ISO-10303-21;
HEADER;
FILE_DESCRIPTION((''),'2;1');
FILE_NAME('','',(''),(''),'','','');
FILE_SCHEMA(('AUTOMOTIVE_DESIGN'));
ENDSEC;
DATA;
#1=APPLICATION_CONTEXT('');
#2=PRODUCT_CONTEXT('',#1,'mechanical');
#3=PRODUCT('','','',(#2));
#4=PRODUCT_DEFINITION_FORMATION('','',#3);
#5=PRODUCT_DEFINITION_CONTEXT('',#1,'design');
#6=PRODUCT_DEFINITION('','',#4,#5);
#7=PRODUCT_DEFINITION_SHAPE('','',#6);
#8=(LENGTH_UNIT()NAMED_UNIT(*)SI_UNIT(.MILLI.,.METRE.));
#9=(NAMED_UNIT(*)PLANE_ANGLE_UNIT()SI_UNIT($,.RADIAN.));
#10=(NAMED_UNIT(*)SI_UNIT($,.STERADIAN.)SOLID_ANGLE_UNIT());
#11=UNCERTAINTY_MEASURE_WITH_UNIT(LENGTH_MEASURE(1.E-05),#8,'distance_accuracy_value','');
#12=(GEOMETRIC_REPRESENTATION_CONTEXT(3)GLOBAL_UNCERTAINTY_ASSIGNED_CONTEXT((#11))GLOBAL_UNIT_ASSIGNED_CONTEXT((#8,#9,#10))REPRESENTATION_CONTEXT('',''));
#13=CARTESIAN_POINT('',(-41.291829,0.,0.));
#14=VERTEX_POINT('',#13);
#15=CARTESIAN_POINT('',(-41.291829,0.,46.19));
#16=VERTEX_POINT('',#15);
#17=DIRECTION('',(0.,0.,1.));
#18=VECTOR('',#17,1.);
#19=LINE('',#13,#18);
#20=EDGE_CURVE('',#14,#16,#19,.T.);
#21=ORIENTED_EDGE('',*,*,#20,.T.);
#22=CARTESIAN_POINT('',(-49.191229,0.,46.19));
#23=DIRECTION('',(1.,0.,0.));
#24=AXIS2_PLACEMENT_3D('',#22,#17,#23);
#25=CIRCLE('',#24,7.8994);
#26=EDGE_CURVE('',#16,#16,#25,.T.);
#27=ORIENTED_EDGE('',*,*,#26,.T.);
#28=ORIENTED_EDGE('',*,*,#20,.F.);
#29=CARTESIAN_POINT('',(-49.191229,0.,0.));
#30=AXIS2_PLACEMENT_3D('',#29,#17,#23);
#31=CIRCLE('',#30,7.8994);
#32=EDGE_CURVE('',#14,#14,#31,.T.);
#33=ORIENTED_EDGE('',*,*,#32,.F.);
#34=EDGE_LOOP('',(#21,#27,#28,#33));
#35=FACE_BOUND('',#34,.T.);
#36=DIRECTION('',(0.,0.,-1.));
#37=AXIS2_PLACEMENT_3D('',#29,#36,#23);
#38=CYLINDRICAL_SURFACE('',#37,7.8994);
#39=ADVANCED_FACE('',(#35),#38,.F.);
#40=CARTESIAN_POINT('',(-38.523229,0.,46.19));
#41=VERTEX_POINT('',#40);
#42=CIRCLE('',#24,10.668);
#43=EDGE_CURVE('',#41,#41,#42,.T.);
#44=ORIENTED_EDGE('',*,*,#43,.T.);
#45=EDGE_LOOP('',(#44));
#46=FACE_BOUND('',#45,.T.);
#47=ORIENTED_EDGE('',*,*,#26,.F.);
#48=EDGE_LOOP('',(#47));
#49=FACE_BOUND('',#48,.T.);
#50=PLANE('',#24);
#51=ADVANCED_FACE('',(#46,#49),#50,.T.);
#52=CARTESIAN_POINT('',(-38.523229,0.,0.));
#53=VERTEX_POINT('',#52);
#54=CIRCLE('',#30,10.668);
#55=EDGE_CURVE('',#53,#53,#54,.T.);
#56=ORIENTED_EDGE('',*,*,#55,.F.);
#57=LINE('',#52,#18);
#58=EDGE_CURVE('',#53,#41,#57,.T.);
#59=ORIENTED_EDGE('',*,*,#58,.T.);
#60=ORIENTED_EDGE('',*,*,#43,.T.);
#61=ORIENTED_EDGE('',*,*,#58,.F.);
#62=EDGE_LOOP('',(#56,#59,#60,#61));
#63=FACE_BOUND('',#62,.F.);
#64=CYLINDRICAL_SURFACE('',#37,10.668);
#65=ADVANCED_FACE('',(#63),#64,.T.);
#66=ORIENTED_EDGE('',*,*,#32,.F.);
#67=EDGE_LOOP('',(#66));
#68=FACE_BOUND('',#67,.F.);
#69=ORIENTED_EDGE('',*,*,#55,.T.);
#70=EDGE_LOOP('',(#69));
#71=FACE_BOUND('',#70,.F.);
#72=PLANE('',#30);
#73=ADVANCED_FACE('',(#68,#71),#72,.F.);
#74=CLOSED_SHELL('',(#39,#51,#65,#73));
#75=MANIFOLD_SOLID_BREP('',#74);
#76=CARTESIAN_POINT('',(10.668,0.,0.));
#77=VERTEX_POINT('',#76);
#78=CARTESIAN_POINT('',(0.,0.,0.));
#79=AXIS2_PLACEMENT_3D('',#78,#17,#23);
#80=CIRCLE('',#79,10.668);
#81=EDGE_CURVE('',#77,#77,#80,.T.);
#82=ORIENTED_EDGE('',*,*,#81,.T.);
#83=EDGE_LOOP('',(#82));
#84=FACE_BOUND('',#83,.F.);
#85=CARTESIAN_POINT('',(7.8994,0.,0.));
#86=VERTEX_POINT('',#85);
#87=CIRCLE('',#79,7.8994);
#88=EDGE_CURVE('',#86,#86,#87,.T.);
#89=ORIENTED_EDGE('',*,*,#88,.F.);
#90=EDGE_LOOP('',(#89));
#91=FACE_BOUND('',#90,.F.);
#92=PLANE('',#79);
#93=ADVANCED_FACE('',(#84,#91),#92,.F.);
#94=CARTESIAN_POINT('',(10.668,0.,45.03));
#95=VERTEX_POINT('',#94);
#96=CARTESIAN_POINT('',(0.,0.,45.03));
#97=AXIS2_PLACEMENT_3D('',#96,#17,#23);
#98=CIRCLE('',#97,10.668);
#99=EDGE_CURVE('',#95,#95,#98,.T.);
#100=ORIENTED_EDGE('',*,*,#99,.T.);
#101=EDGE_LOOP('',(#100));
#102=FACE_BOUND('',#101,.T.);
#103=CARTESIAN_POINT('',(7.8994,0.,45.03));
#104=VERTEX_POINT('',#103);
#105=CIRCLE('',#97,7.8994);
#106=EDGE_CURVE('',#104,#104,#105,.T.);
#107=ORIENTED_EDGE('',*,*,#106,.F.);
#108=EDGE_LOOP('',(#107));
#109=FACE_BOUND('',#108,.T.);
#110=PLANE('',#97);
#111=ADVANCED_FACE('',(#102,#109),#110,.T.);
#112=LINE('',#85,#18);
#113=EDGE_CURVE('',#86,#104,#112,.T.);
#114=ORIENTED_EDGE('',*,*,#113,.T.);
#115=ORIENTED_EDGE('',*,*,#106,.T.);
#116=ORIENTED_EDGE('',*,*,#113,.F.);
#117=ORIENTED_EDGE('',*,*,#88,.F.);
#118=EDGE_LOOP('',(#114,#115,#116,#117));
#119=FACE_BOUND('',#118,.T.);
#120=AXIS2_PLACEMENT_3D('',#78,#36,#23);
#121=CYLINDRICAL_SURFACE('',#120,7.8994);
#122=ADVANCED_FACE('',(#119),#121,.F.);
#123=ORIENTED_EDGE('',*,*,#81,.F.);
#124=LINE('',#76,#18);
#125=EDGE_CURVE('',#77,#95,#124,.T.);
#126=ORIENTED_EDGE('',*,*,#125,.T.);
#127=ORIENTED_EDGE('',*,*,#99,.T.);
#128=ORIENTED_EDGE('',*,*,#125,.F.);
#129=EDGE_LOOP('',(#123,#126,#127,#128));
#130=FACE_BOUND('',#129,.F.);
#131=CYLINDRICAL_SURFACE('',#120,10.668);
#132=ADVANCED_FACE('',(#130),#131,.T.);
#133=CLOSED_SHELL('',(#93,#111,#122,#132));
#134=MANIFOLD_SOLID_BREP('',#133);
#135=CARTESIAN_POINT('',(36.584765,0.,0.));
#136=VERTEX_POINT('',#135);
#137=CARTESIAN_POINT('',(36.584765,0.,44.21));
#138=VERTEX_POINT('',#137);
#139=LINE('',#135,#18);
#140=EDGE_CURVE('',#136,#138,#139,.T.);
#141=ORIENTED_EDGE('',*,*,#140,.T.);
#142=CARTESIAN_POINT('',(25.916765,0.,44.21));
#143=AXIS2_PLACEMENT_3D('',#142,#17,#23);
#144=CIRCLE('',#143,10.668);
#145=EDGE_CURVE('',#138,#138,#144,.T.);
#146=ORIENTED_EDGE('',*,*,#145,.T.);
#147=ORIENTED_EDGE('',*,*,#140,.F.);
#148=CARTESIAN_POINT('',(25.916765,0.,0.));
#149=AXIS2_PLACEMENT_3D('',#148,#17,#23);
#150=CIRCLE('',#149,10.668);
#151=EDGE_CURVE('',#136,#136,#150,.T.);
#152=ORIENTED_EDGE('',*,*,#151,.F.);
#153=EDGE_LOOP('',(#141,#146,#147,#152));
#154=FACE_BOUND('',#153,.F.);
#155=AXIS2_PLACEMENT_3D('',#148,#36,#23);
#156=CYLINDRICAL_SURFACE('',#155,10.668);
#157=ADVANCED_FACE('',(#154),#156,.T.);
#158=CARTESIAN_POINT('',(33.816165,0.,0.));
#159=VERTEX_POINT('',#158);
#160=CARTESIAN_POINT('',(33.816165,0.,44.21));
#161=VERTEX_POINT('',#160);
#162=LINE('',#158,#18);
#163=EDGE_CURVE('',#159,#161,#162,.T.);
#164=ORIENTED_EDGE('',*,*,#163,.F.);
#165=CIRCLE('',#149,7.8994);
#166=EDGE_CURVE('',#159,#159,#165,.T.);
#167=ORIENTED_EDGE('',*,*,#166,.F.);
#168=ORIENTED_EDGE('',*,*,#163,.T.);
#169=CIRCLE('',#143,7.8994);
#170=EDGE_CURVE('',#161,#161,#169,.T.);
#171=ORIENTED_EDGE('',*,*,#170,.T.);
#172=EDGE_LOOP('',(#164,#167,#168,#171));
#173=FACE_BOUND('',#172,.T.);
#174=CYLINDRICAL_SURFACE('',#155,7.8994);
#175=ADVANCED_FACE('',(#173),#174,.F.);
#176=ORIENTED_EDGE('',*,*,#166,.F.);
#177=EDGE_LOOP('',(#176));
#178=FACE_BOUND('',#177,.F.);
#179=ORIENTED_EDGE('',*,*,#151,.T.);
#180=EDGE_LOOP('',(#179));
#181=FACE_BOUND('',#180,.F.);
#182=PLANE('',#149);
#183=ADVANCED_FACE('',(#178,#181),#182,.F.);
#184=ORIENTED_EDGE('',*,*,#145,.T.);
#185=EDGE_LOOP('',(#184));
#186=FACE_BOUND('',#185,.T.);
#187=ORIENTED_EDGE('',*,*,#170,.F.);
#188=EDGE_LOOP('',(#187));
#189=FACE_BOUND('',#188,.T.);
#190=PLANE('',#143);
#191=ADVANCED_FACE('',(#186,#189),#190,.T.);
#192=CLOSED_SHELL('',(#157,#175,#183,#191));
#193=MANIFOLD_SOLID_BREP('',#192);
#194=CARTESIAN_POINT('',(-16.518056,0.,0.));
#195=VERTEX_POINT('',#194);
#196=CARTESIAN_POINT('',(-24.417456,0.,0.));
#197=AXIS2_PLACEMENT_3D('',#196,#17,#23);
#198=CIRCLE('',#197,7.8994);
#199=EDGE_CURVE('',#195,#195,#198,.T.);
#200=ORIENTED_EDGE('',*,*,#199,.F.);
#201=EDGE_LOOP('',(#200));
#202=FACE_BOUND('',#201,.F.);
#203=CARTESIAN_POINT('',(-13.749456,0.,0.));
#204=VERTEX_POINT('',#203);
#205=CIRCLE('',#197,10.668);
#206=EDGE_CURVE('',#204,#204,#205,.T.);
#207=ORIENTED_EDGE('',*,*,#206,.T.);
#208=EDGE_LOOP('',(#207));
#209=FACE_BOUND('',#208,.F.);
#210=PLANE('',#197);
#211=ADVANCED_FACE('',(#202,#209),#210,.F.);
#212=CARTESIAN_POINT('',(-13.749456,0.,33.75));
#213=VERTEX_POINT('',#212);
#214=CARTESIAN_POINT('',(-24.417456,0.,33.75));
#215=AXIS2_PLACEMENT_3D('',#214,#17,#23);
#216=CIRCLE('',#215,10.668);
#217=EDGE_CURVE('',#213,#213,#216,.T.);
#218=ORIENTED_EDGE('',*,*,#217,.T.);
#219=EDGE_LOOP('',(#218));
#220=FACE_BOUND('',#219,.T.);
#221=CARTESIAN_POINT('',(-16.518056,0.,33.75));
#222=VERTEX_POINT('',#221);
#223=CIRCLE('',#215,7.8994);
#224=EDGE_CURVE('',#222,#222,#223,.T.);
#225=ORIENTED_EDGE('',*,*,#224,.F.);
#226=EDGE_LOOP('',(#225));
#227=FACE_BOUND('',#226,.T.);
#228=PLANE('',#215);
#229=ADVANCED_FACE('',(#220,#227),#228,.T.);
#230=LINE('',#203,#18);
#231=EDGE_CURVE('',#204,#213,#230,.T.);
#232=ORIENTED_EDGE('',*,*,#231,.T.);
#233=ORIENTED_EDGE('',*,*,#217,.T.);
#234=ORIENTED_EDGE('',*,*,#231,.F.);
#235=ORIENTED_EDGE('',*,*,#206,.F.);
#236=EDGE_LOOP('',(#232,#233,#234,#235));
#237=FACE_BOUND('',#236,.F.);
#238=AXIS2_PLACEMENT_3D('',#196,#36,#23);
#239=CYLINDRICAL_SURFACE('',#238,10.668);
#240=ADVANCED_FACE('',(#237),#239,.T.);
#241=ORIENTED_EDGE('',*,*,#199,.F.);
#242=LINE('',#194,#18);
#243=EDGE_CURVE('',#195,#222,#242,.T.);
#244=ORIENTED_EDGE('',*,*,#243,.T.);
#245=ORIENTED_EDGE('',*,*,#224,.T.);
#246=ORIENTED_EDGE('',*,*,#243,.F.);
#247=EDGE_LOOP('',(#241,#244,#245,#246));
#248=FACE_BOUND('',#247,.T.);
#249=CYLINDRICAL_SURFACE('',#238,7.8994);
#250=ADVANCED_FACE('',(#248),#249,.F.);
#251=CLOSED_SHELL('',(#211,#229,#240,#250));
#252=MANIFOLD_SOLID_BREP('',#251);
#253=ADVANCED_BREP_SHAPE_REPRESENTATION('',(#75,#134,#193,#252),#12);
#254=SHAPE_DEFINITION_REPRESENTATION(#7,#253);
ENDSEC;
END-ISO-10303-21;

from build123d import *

# Parameters (mm, degrees)
F0_R     = 10.668
F0_R_2   = 7.8994
F1_DEPTH = 45.03
F2_R     = 10.668
F2_R_2   = 7.8994
F3_DEPTH = 33.75
F4_R     = 10.668
F4_R_2   = 7.8994
F5_DEPTH = 44.21
F6_R     = 10.668
F6_R_2   = 7.8994
F7_DEPTH = 46.19


with BuildPart() as f1:
    # F0 (on Top) → F1 (new body)
    with BuildSketch(Plane.XY):
        Circle(F0_R)
        Circle(F0_R_2, mode=Mode.SUBTRACT)
    extrude(amount=F1_DEPTH)


with BuildPart() as f3:
    # F2 (on Top) → F3 (new body)
    with BuildSketch(Plane.XY):
        with Locations((-24.417456, 0)):
            Circle(F2_R)
        with Locations((-24.417456, 0)):
            Circle(F2_R_2, mode=Mode.SUBTRACT)
    extrude(amount=F3_DEPTH)


with BuildPart() as f5:
    # F4 (on Top) → F5 (new body)
    with BuildSketch(Plane.XY):
        with Locations((25.916765, 0)):
            Circle(F4_R)
        with Locations((25.916765, 0)):
            Circle(F4_R_2, mode=Mode.SUBTRACT)
    extrude(amount=F5_DEPTH)


with BuildPart() as f7:
    # F6 (on Top) → F7 (new body)
    with BuildSketch(Plane.XY):
        with Locations((-49.191229, 0)):
            Circle(F6_R)
        with Locations((-49.191229, 0)):
            Circle(F6_R_2, mode=Mode.SUBTRACT)
    extrude(amount=F7_DEPTH)


solid = Compound([f1.part, f3.part, f5.part, f7.part])
